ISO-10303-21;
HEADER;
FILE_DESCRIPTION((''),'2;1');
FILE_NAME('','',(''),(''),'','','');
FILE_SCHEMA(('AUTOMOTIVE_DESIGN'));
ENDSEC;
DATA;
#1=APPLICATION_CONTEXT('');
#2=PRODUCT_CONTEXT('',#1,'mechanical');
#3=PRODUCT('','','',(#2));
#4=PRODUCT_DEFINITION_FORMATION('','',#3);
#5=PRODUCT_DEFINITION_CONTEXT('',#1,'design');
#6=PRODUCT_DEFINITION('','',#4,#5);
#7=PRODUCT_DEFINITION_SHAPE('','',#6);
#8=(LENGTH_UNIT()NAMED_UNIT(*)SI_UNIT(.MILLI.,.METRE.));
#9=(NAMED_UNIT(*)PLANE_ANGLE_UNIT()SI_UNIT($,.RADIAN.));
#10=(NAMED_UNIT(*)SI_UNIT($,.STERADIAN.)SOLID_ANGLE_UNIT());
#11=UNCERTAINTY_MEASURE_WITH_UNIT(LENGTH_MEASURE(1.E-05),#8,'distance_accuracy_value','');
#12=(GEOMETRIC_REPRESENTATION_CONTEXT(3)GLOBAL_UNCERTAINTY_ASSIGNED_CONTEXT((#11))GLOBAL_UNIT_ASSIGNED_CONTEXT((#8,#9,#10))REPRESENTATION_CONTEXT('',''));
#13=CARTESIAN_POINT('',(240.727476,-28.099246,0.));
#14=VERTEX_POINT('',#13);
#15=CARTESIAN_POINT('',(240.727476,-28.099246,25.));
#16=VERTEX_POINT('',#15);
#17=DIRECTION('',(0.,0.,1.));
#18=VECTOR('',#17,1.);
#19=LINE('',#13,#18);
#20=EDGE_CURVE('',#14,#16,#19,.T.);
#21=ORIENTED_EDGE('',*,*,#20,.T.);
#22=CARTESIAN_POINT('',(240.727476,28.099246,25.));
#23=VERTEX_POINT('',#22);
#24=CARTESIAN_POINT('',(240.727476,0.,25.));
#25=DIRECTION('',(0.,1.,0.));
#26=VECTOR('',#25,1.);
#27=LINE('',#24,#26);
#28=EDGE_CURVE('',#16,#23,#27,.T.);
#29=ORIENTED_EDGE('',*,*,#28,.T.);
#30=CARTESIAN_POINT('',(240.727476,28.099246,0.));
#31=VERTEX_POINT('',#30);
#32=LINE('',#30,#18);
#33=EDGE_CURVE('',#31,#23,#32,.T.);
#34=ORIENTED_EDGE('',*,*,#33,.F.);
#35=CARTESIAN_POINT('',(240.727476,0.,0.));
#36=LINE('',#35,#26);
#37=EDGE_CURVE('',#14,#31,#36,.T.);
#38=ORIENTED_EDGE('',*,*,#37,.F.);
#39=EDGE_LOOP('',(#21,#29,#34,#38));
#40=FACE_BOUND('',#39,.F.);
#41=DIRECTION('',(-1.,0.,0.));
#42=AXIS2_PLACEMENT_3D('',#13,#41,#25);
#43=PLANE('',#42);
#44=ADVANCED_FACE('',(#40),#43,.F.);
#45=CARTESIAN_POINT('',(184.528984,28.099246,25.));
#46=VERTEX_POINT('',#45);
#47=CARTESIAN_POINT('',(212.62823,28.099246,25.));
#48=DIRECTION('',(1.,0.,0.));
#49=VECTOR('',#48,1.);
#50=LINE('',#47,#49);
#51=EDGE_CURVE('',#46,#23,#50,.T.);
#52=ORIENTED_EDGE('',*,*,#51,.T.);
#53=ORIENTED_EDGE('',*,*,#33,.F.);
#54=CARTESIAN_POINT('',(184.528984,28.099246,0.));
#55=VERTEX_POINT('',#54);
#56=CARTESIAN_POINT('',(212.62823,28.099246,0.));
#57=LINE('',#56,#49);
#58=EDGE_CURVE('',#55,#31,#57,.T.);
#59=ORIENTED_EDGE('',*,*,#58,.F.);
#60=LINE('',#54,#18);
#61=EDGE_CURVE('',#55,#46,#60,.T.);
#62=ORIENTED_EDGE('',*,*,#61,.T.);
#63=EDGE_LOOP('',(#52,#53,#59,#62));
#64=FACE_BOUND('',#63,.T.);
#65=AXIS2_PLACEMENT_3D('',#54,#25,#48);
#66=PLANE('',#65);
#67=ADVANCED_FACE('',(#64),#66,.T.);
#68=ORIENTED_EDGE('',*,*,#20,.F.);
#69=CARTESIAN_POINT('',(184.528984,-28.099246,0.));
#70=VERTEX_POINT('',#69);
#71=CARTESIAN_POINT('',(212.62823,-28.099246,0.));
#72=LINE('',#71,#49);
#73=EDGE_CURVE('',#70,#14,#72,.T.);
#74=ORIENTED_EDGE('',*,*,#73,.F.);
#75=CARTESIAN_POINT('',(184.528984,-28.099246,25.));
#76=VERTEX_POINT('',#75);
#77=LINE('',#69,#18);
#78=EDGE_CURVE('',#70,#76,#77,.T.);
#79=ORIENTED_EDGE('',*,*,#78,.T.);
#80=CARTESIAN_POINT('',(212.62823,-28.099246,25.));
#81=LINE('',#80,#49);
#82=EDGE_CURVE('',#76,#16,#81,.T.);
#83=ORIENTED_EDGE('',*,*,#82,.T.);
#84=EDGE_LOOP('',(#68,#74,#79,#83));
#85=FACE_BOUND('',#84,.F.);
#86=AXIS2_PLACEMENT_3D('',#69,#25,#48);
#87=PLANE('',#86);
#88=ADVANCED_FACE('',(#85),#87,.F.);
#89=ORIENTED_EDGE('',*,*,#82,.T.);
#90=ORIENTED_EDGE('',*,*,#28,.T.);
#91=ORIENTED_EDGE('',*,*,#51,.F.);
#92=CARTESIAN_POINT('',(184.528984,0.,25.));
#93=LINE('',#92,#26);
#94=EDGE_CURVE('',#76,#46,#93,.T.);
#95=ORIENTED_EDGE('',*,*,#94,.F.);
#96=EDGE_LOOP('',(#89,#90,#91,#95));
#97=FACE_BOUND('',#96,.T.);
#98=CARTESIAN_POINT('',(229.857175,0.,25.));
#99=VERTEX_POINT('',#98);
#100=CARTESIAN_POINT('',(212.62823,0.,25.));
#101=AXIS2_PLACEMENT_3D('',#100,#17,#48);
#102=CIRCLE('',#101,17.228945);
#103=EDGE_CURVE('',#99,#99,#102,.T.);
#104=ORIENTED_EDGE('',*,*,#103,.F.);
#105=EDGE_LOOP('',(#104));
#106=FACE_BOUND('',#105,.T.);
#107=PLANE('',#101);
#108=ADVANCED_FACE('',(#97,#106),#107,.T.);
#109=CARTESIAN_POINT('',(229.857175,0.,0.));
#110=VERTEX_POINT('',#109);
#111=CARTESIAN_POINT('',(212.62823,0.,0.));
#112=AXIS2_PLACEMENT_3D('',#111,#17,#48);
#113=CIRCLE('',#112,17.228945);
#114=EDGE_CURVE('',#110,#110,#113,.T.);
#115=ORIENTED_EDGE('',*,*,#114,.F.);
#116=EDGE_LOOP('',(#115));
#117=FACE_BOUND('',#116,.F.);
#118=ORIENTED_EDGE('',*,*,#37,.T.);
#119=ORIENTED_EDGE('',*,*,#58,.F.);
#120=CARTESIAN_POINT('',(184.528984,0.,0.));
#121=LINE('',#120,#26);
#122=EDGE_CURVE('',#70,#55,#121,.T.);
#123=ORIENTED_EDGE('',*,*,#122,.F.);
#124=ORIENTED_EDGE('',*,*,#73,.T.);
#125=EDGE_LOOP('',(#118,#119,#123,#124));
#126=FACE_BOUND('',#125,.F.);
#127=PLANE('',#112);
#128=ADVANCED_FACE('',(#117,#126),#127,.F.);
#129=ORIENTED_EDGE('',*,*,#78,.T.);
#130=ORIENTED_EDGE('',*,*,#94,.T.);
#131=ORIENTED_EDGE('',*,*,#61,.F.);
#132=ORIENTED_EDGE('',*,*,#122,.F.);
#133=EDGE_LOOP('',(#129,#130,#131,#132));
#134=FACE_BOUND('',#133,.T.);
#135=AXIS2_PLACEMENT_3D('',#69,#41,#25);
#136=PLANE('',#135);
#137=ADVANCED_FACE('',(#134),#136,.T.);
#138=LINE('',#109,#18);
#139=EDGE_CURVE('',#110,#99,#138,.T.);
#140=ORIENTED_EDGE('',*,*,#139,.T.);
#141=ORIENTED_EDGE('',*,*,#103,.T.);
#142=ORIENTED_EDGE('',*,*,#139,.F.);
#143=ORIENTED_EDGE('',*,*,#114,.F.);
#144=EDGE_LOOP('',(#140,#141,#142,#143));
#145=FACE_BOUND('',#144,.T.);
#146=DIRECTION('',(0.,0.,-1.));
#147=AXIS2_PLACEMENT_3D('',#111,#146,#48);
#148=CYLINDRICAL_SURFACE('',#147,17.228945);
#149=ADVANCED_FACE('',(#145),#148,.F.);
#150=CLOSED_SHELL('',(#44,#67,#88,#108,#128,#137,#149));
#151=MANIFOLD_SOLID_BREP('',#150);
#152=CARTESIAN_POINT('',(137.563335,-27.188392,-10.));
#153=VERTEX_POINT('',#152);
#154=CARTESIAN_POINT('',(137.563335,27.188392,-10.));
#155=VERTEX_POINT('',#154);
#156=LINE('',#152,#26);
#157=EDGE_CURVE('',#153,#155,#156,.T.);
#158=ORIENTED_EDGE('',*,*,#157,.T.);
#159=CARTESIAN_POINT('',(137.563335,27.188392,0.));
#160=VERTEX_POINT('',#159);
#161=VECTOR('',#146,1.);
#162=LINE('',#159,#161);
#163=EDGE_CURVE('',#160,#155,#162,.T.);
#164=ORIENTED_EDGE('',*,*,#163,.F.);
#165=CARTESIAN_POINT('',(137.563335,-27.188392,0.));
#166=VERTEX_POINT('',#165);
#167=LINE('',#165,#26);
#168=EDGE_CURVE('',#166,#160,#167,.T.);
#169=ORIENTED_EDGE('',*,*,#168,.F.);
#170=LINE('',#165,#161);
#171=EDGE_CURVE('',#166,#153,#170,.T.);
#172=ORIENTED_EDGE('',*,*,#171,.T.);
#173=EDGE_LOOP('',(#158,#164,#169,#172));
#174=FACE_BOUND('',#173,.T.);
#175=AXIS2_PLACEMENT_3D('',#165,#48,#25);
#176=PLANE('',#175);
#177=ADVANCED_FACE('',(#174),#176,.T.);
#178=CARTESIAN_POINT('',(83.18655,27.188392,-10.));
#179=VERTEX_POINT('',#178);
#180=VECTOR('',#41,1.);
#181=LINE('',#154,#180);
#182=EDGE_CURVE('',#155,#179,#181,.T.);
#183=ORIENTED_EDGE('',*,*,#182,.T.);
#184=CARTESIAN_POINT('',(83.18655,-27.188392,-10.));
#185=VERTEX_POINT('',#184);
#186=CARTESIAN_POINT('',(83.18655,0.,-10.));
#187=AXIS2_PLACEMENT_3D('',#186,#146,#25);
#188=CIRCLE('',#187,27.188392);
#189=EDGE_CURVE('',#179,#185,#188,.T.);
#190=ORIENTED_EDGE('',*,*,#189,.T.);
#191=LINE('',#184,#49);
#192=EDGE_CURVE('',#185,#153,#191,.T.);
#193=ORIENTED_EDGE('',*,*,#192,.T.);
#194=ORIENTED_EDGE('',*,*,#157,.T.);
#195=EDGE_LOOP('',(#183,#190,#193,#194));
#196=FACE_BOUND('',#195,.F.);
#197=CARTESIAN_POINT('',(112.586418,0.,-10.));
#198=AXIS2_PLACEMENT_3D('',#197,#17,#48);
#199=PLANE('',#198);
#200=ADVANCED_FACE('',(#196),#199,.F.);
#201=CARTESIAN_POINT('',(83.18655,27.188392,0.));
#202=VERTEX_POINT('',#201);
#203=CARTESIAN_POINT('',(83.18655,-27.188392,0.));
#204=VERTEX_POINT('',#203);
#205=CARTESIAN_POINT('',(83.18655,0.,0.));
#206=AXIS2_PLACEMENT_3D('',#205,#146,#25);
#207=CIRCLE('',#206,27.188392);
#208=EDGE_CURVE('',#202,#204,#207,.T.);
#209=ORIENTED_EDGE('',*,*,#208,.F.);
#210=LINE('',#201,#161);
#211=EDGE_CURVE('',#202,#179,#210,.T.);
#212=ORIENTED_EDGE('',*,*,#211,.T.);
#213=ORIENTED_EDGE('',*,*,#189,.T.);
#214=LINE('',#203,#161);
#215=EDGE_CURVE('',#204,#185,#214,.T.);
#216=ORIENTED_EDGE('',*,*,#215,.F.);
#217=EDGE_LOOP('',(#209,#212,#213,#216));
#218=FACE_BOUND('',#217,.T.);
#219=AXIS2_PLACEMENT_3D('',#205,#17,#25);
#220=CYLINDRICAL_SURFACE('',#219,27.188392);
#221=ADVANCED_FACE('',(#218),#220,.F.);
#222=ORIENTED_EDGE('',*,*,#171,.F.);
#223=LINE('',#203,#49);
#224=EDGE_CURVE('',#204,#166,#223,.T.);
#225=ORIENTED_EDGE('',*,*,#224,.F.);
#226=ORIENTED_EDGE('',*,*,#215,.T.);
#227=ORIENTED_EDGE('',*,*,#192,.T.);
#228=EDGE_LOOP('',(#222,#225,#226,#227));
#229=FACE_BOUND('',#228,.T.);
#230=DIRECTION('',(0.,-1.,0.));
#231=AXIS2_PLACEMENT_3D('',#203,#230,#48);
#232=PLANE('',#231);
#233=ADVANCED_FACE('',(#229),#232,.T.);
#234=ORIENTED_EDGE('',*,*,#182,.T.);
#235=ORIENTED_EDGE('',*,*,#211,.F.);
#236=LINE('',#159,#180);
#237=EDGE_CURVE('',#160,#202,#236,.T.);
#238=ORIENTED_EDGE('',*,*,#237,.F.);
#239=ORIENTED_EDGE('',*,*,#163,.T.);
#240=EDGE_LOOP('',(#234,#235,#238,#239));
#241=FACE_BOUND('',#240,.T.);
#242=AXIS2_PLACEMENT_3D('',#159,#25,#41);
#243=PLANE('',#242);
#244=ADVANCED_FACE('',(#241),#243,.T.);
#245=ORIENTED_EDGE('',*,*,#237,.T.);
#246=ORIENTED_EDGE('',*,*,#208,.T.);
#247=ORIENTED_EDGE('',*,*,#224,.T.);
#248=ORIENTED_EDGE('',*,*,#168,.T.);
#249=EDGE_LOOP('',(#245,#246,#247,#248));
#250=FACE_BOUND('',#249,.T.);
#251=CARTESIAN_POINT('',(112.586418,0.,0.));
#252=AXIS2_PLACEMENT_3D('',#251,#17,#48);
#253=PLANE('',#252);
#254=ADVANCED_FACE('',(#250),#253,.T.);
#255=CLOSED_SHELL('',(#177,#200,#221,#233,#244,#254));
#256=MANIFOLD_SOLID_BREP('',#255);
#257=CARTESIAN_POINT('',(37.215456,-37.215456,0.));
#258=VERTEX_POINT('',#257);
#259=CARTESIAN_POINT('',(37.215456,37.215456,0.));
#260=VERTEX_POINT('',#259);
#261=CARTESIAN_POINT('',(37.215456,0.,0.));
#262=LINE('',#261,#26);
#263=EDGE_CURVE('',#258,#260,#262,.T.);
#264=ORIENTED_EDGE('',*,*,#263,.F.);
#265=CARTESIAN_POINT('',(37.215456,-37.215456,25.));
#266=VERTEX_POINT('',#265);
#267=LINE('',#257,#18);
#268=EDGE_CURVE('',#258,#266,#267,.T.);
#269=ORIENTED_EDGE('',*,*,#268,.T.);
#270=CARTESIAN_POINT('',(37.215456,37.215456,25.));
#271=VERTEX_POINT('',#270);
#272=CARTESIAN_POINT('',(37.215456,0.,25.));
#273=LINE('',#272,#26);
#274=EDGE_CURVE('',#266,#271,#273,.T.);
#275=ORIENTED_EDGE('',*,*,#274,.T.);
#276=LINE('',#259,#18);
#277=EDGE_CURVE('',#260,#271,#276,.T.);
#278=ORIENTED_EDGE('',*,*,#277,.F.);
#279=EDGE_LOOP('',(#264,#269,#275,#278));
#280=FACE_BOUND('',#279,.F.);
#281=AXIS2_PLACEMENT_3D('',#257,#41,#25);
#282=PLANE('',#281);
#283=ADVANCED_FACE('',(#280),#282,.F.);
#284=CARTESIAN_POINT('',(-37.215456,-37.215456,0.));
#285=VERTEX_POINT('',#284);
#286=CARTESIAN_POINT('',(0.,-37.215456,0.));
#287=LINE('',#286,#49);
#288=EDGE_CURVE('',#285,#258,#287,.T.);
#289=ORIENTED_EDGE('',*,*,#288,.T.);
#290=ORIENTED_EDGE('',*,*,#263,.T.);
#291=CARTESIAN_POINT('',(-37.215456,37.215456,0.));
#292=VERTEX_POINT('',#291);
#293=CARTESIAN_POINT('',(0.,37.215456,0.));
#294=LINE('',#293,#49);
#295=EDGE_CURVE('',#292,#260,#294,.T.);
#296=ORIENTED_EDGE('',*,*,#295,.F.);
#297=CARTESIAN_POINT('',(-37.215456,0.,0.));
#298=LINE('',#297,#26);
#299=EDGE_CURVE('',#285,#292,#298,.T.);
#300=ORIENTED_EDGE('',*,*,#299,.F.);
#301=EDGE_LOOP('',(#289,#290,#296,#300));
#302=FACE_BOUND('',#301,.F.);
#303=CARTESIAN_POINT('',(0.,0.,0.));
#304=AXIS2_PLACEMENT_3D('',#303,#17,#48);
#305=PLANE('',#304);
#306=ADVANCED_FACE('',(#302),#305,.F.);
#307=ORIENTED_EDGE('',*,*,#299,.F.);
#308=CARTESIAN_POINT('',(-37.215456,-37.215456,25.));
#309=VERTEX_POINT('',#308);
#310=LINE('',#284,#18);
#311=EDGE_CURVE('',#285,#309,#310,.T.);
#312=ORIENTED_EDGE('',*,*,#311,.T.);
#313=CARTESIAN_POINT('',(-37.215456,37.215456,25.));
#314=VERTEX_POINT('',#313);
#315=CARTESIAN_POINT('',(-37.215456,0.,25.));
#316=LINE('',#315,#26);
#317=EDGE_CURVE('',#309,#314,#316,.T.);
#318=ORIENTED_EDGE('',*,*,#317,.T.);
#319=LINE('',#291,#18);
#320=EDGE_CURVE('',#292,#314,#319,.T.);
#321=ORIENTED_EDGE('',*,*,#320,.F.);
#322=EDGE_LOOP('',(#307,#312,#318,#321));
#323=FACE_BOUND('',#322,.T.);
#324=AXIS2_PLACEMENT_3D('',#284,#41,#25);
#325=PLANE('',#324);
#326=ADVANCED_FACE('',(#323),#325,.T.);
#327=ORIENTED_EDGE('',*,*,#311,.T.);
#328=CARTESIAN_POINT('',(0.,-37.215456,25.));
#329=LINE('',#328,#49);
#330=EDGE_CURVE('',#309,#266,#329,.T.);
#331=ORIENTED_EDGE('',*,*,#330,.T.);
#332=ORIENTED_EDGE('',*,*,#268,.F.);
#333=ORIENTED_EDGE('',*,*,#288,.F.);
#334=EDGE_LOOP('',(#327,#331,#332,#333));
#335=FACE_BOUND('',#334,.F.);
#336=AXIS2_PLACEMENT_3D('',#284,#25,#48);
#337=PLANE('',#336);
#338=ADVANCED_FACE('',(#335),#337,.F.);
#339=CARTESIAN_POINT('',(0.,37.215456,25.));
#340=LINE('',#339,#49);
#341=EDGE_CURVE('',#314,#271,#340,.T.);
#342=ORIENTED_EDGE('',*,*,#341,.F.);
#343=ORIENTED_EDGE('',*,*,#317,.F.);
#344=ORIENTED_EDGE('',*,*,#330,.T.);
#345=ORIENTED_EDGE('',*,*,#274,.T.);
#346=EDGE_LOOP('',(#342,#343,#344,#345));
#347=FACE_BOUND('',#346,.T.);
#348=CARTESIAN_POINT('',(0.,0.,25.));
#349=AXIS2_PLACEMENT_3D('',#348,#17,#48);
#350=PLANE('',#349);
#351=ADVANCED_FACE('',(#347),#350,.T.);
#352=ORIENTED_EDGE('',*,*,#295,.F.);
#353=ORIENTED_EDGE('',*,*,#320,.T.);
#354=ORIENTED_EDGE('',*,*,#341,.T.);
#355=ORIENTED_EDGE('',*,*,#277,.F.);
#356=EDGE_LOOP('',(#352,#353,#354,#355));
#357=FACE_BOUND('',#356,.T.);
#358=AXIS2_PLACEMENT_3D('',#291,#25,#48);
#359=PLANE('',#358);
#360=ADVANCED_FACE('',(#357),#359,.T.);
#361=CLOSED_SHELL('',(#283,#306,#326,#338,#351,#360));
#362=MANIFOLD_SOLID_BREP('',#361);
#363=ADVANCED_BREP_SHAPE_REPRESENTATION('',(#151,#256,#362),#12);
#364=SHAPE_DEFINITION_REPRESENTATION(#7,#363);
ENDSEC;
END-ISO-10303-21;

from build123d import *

# Parameters (mm, degrees)
F0_W     = 74.430912
F0_H     = 74.430912
F1_DEPTH = 25
F3_DEPTH = 10
F4_W     = 56.198493
F4_H     = 56.198492
F4_R     = 17.228945
F5_DEPTH = 25


with BuildPart() as f1:
    # F0 (on Top) → F1 (new body)
    with BuildSketch(Plane.XY):
        Rectangle(F0_W, F0_H)
    extrude(amount=F1_DEPTH)


with BuildPart() as f3:
    # F2 (on Top) → F3 (new body)
    with BuildSketch(Plane.XY):
        with BuildLine():
            Line((137.563335, 27.188392), (83.18655, 27.188392))
            ThreePointArc((83.18655, 27.188392), (110.374942, 0), (83.18655, -27.188392))
            Line((83.18655, -27.188392), (137.563335, -27.188392))
            Line((137.563335, -27.188392), (137.563335, 27.188392))
        make_face()
    extrude(amount=-F3_DEPTH)


with BuildPart() as f5:
    # F4 (on Top) → F5 (new body)
    with BuildSketch(Plane.XY):
        with Locations((212.62823, 0)):
            Rectangle(F4_W, F4_H)
        with Locations((212.62823, 0)):
            Circle(F4_R, mode=Mode.SUBTRACT)
    extrude(amount=F5_DEPTH)


solid = Compound([f1.part, f3.part, f5.part])
